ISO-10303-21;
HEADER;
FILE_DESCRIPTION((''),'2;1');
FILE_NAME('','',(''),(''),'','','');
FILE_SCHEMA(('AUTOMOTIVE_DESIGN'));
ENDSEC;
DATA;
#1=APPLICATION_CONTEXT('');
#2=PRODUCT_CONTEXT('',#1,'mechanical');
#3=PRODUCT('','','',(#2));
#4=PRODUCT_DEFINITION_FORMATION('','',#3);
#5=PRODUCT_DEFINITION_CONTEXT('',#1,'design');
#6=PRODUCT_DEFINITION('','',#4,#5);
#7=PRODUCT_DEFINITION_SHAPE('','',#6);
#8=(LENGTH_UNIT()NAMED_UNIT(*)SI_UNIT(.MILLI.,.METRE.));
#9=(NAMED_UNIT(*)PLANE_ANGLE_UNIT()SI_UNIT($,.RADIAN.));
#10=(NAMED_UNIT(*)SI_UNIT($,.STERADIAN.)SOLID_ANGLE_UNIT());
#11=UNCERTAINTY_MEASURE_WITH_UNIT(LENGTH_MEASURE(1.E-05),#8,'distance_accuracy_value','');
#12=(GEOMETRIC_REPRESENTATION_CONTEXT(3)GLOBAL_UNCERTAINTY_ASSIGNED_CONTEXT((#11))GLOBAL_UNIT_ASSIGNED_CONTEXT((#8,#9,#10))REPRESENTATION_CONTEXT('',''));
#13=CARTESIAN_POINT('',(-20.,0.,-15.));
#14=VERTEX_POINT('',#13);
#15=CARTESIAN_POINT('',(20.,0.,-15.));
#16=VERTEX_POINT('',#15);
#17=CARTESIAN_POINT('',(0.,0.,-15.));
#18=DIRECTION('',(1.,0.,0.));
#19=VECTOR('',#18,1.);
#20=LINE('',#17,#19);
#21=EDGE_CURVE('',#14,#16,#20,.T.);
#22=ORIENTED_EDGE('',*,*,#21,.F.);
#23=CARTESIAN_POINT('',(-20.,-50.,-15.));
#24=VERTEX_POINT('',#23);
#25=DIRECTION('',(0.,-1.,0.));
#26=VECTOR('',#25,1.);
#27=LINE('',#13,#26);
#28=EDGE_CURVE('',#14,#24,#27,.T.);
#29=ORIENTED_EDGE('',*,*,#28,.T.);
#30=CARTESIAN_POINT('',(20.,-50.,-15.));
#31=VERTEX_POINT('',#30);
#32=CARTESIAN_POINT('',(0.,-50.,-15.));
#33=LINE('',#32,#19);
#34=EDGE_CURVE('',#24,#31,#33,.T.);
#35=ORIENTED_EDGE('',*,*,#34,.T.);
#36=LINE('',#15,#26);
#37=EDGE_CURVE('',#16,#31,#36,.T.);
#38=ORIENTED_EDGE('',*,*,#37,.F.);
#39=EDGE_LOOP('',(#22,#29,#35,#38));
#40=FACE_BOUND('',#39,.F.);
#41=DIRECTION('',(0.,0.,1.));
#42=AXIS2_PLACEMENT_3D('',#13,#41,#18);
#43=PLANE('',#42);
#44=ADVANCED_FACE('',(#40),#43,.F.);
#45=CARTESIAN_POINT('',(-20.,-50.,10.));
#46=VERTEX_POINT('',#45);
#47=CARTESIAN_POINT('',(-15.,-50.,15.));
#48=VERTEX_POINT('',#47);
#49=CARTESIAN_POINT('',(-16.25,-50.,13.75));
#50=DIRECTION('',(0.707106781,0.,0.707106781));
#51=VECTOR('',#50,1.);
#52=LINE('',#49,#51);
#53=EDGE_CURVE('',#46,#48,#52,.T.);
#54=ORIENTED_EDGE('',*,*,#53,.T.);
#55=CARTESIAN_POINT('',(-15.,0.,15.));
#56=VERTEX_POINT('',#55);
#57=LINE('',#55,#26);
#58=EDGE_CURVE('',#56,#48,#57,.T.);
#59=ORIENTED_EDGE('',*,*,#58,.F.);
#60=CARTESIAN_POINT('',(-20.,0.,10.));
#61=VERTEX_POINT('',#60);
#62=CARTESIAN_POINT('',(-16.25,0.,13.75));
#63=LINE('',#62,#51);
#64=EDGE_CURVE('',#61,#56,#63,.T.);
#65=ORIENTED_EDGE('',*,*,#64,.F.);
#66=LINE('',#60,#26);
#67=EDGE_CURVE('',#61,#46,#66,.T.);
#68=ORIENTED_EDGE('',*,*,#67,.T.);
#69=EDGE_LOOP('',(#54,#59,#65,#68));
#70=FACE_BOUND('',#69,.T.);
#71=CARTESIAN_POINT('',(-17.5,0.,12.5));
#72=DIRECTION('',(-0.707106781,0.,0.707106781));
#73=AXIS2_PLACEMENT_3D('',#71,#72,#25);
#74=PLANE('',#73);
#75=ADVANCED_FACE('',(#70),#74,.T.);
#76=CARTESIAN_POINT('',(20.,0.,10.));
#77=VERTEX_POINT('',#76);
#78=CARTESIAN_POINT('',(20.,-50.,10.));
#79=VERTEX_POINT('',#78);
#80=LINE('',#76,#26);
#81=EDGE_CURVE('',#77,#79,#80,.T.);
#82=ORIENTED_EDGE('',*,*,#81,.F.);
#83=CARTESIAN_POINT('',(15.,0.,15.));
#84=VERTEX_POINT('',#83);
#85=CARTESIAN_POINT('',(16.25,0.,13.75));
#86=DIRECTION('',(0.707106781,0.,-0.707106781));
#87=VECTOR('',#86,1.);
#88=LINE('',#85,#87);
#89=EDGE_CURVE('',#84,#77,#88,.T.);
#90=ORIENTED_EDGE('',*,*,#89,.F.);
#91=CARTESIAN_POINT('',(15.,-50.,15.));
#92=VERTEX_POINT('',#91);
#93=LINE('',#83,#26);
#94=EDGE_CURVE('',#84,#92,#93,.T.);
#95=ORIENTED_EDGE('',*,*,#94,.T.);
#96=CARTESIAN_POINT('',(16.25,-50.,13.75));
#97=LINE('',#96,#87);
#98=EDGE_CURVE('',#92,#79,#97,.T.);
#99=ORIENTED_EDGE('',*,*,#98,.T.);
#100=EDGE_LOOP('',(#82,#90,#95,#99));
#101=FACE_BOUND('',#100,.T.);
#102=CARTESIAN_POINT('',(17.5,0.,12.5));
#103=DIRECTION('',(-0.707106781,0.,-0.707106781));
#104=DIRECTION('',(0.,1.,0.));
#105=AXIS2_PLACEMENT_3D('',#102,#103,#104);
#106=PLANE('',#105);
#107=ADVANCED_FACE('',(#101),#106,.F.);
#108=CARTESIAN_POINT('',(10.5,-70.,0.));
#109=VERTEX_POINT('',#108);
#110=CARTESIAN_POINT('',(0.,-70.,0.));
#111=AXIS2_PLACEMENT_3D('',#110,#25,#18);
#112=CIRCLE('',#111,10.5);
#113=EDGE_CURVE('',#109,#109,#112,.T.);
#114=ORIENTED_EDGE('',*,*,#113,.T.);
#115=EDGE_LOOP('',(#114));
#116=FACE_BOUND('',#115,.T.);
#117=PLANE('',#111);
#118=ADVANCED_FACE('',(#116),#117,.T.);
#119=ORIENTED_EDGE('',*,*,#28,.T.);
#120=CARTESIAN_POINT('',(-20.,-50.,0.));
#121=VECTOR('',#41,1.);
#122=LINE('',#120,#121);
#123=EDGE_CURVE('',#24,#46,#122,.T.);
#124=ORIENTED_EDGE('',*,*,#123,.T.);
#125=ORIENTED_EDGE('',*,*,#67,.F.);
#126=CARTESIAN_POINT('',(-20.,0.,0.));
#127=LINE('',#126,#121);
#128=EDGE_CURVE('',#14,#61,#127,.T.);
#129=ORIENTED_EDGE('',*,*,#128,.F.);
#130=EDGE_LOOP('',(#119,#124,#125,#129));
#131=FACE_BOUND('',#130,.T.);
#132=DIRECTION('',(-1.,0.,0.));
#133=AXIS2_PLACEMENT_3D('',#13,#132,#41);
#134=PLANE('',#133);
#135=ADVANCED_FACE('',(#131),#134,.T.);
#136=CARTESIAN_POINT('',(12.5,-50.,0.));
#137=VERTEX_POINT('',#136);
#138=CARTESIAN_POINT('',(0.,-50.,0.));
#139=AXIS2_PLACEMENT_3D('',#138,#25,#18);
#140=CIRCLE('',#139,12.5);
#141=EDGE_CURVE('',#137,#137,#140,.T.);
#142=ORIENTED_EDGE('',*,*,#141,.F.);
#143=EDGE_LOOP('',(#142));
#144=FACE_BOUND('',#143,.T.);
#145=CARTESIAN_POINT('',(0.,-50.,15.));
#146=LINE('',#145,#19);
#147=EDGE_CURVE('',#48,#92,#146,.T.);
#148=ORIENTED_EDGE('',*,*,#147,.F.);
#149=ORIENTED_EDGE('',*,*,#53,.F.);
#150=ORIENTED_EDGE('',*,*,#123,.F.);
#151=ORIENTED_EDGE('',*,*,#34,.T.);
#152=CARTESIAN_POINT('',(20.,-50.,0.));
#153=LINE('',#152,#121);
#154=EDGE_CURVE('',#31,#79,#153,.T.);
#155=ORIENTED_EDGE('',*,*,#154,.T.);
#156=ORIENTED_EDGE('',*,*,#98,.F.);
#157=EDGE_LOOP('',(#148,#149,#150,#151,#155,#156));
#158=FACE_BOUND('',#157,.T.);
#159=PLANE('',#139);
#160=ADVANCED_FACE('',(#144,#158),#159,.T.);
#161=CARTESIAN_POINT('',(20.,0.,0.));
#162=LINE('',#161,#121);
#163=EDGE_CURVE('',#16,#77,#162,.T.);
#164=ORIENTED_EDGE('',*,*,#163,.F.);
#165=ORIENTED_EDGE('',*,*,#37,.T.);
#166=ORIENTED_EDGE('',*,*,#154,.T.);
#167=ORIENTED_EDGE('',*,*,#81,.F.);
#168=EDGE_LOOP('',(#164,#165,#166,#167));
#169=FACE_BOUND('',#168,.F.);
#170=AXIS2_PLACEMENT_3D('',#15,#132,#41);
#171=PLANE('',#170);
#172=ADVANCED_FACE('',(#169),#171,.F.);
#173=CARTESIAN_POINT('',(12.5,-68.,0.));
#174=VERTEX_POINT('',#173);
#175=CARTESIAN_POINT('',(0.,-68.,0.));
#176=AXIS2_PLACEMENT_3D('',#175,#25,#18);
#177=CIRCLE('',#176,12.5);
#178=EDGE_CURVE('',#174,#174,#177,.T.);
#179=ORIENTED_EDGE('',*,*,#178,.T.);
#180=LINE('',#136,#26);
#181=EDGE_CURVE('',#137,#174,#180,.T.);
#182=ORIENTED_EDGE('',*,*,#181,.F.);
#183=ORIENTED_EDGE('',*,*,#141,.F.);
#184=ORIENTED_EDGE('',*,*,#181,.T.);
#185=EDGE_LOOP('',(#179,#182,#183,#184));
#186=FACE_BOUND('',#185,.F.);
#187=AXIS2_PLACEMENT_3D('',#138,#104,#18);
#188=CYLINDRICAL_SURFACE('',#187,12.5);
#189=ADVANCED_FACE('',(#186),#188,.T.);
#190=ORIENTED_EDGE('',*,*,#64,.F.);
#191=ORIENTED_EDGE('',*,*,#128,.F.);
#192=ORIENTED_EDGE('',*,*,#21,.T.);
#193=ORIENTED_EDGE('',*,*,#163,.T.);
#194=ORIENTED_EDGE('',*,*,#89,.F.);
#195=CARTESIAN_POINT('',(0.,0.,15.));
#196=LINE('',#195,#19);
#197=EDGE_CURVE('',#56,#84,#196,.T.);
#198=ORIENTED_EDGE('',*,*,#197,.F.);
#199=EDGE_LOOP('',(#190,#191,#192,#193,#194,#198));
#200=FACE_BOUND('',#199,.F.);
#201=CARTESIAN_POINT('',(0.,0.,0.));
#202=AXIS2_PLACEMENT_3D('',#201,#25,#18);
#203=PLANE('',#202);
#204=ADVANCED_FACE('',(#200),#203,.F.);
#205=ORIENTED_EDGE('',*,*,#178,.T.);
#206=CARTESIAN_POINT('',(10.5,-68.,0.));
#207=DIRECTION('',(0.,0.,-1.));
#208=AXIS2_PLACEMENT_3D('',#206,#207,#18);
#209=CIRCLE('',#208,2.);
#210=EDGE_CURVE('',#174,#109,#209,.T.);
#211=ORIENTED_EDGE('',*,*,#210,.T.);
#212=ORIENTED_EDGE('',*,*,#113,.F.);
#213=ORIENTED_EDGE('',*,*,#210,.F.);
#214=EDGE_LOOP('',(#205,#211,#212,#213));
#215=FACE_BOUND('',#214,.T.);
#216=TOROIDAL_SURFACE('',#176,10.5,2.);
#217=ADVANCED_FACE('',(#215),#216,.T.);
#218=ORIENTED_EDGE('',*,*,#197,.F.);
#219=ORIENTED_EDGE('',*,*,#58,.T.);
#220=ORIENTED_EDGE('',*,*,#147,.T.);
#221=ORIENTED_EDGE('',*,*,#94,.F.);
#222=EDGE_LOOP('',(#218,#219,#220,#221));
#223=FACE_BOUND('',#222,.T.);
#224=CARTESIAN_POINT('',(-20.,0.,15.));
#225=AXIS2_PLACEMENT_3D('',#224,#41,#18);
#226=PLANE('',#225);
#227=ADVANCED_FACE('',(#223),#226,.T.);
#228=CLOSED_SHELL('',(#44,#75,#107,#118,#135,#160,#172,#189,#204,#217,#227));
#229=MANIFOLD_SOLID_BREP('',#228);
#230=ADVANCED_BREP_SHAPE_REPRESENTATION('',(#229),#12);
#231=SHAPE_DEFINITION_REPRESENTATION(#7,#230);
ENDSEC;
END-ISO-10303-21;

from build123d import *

# Parameters (mm, degrees)
F0_W     = 40
F0_H     = 30
F1_DEPTH = 50
F2_R     = 12.5
F3_DEPTH = 20
F4_R     = 2
F5_SIZE  = 5


with BuildPart() as f1:
    # F0 (on Front) → F1 (new body)
    with BuildSketch(Plane.XZ):
        Rectangle(F0_W, F0_H)
    extrude(amount=F1_DEPTH)

    # F2 (on face) → F3 (join)
    with BuildSketch(Plane.XZ.offset(50)):
        Circle(F2_R)
    extrude(amount=F3_DEPTH)

    # F4
    f4_edges = [f1.edges().sort_by_distance(p)[0] for p in [
        (-12.5, -70, 0),
    ]]
    fillet(f4_edges, radius=F4_R)

    # F5
    f5_edges = [f1.edges().sort_by_distance(p)[0] for p in [
        (-20, -25, 15),
        (20, -25, 15),
    ]]
    chamfer(f5_edges, length=F5_SIZE)


solid = f1.part
